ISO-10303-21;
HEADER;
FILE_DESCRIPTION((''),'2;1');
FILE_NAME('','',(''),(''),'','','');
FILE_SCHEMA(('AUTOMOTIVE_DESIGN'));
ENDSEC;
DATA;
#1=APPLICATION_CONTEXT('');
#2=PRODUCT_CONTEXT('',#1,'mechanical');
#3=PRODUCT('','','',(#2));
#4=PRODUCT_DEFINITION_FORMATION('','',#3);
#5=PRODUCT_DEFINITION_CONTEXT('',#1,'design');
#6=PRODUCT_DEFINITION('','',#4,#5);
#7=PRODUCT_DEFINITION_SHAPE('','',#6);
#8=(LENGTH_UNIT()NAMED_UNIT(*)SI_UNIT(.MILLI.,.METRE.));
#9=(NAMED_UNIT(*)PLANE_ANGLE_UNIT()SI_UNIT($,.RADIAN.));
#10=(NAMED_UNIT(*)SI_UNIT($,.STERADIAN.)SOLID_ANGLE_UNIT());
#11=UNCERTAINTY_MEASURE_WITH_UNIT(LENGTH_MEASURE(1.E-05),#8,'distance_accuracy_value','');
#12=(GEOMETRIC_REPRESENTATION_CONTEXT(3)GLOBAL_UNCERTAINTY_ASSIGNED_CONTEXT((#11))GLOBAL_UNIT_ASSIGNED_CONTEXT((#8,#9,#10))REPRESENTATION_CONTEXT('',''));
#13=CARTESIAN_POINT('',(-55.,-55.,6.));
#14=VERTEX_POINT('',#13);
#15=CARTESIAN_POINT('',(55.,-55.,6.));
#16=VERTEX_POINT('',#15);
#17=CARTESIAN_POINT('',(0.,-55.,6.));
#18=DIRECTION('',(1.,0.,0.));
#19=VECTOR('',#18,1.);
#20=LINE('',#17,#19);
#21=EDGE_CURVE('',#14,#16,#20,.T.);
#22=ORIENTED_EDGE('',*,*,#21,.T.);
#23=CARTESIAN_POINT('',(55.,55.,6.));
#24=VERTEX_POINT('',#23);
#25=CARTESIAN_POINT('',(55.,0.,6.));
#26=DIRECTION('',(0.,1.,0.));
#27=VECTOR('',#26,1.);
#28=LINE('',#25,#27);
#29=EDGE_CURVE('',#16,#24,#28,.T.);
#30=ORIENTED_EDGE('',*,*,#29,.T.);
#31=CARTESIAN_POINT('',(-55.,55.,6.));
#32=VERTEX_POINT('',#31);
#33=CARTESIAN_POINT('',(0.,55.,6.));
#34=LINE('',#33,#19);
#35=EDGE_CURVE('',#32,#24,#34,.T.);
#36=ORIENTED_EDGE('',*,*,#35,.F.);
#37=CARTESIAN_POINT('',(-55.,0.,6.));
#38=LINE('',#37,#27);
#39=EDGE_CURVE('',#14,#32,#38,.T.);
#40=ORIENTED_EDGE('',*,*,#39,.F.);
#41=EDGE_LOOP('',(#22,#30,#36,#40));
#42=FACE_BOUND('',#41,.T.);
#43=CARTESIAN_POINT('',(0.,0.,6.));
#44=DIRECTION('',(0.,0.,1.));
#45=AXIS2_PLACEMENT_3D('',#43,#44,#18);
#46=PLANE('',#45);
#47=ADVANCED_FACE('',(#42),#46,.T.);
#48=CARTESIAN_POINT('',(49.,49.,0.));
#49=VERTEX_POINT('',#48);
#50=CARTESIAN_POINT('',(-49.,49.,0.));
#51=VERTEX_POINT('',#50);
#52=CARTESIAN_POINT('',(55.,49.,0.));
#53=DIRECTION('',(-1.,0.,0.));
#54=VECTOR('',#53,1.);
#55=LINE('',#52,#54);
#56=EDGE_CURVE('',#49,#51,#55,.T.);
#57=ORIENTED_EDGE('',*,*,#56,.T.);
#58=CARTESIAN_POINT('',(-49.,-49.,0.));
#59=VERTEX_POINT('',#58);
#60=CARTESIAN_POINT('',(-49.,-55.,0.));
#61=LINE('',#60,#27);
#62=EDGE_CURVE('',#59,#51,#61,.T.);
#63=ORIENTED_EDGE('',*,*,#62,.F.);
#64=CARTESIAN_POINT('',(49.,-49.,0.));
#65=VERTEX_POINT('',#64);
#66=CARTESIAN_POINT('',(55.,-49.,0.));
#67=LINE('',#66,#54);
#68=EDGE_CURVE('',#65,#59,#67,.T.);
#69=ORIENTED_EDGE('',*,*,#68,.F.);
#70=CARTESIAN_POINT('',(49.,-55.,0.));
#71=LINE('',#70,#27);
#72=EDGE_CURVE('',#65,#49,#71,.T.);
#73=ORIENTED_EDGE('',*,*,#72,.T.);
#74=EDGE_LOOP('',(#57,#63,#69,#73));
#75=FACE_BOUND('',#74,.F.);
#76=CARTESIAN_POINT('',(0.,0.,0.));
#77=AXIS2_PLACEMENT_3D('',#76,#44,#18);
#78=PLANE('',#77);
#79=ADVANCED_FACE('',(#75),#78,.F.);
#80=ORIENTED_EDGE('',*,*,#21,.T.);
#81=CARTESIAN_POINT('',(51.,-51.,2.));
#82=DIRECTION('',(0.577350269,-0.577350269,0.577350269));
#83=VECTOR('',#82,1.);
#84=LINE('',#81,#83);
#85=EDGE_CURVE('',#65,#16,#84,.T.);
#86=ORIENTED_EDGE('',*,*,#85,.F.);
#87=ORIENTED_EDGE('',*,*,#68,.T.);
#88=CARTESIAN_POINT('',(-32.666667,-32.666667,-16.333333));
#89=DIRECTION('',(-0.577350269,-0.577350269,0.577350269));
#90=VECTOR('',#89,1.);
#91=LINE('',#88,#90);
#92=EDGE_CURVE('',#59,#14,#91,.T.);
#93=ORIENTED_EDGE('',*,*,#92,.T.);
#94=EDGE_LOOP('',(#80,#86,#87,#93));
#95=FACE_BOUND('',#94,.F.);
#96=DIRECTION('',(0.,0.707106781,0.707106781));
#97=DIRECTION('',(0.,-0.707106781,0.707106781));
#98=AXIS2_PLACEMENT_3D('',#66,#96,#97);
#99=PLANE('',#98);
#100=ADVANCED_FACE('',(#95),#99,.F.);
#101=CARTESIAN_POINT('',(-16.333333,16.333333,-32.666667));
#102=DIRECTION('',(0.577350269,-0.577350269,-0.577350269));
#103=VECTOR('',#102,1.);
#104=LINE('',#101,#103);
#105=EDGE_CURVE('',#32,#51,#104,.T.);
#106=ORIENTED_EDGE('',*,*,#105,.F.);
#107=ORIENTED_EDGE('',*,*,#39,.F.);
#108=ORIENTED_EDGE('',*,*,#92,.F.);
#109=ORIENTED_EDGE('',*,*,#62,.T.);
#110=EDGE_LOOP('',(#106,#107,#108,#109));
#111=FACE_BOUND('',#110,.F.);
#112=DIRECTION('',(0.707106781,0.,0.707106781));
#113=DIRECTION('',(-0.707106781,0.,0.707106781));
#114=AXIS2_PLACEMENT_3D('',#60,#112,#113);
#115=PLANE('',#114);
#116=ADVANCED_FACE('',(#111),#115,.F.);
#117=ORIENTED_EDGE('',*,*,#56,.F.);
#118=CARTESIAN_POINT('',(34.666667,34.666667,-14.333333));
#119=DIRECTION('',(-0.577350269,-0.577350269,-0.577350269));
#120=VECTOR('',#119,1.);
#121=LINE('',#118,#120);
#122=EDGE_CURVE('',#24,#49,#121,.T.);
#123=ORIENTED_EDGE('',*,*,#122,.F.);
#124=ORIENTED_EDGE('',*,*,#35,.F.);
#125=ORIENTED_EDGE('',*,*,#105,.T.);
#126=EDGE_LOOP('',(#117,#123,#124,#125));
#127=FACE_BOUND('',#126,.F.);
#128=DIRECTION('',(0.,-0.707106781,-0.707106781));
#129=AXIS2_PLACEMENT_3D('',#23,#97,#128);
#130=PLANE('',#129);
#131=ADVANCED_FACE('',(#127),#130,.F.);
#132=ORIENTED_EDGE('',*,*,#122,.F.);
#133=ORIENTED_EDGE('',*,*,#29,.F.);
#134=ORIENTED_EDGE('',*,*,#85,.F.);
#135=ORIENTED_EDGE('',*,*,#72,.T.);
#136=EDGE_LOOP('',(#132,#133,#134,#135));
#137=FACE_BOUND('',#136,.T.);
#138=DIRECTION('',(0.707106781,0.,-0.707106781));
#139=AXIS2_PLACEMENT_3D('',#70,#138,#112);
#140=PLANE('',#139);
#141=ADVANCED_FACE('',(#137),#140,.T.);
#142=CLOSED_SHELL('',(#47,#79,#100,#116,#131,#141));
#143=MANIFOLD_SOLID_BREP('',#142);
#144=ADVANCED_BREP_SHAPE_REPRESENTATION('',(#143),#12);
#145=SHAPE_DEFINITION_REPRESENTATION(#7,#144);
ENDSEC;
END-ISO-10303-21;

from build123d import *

# Parameters (mm, degrees)
SKETCH_W        = 110
SKETCH_H        = 110
PAD_DEPTH       = 6
POCKET_DEPTH    = 110
POCKET001_DEPTH = 110


with BuildPart() as part:
    # Sketch → Pad (new body)
    with BuildSketch(Plane.XY):
        Rectangle(SKETCH_W, SKETCH_H)
    extrude(amount=PAD_DEPTH)

    # Sketch002 (on Face3 of Pad) → Pocket (cut)
    with BuildSketch(Plane.XZ.offset(55)):
        Polygon((55, 6), (55, 0), (49, 0), align=None)
        Polygon((-55, 6), (-55, 0), (-49, 0), align=None)
    extrude(amount=-POCKET_DEPTH, mode=Mode.SUBTRACT)

    # Sketch001 (on Face2 of Pad) → Pocket001 (cut)
    with BuildSketch(Plane.YZ.offset(55)):
        Polygon((-55, 6), (-55, 0), (-49, 0), align=None)
        Polygon((55, 6), (49, 0), (55, 0), align=None)
    extrude(amount=-POCKET001_DEPTH, mode=Mode.SUBTRACT)


solid = part.part
